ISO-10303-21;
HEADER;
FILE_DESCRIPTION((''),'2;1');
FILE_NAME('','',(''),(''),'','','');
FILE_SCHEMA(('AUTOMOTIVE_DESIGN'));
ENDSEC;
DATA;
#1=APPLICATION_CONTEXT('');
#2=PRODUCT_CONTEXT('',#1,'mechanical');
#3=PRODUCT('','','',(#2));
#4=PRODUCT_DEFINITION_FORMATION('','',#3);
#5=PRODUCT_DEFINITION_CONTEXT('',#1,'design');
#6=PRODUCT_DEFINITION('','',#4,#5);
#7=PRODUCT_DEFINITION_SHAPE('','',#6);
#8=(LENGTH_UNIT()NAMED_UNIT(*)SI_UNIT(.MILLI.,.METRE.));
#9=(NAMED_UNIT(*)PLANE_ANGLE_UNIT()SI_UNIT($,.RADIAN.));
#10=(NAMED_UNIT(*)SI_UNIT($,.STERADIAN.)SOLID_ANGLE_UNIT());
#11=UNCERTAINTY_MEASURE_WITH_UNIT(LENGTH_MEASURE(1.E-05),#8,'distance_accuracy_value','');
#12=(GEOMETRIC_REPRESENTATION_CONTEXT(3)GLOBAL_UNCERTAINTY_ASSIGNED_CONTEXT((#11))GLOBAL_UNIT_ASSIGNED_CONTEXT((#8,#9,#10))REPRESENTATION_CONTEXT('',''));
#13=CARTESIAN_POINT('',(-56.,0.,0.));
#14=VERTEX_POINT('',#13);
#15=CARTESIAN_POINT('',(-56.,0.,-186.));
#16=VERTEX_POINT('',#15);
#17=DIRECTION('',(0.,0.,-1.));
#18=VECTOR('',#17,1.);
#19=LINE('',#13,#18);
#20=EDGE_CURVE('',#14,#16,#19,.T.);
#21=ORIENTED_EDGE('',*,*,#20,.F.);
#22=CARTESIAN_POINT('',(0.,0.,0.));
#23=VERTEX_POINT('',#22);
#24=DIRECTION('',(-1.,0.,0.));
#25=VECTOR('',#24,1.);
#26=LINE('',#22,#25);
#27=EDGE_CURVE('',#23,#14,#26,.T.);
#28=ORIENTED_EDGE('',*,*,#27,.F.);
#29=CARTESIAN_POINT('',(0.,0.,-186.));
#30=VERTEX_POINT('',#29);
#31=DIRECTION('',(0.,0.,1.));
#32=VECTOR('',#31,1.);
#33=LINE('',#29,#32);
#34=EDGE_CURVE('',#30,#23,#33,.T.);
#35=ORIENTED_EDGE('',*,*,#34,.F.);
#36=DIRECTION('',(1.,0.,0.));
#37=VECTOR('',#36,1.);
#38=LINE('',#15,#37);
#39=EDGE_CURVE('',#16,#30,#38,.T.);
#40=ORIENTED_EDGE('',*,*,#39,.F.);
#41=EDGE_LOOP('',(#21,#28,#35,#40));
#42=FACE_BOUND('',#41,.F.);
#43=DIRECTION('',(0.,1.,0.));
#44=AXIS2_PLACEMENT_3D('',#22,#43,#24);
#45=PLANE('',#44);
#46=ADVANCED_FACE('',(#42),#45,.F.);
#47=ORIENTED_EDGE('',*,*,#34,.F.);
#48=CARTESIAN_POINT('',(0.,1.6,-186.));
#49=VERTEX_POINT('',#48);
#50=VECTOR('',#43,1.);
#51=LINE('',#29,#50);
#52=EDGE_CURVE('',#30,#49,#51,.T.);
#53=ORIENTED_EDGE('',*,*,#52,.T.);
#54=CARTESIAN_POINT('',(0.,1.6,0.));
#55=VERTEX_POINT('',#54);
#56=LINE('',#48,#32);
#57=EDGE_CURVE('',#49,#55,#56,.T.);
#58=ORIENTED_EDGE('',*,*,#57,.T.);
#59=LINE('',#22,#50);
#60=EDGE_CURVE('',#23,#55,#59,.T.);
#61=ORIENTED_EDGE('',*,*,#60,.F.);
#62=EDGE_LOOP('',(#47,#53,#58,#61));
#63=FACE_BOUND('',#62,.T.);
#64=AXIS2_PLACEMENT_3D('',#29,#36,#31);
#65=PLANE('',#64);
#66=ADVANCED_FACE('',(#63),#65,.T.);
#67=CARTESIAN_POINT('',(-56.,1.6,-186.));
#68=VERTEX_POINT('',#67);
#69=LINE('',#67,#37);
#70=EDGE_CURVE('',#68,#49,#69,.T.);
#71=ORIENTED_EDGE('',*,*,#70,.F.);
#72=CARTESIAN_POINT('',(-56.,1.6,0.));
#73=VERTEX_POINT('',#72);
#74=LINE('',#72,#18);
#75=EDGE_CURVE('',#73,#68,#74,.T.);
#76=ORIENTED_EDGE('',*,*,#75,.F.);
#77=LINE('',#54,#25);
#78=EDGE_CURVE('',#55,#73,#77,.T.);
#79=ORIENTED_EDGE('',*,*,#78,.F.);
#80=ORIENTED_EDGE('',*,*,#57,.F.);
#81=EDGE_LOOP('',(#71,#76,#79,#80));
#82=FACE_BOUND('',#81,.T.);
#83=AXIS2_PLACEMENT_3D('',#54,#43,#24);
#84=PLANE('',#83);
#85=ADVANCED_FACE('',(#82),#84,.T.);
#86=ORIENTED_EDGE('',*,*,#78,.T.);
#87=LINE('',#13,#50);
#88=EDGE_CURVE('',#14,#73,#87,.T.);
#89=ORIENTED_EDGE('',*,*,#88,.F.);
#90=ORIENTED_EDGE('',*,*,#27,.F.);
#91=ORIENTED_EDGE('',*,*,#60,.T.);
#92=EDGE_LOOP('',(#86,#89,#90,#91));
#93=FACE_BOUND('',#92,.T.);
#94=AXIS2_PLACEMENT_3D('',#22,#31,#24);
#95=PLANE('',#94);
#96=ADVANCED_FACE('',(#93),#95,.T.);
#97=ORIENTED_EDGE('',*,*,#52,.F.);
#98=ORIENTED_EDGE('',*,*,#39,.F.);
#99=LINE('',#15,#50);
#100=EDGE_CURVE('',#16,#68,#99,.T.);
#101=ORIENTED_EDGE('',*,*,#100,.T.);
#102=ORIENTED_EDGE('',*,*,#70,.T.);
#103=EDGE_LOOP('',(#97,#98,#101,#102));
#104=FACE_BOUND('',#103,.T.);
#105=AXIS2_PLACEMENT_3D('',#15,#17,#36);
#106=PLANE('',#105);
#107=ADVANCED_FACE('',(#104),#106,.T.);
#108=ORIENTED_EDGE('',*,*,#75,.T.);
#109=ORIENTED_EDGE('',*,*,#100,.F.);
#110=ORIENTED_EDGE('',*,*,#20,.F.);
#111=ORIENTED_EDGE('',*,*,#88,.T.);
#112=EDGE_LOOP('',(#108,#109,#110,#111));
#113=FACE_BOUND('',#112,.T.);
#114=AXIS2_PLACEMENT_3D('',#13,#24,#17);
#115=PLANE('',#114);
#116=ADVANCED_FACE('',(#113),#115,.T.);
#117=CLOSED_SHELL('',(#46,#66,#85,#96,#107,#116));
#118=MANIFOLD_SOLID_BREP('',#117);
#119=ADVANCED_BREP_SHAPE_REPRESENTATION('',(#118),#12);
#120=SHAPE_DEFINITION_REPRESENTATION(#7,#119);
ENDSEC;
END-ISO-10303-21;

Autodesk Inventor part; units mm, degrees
ref_plane "YZ Plane" through (0, 0, 0) normal (1, 0, 0) x (0, 1, 0)
ref_plane "XZ Plane" through (0, 0, 0) normal (0, 1, 0) x (-1, 0, 0)
ref_plane "XY Plane" through (0, 0, 0) normal (0, 0, 1) x (1, 0, 0)
sketch "Sketch1" plane through (0, 0, 0) normal (0, 1, 0) x (-1, 0, 0)
  line L0 (0, 0) -> (56, 0)
  line L1 (56, 0) -> (56, -186)
  line L2 (56, -186) -> (0, -186)
  line L3 (0, -186) -> (0, 0)
  dimension "d0" = 56
  dimension "d1" = 186
extrude "Extrusion1" add sketch "Sketch1" along normal blind 1.6
properties part number "top_v2"
